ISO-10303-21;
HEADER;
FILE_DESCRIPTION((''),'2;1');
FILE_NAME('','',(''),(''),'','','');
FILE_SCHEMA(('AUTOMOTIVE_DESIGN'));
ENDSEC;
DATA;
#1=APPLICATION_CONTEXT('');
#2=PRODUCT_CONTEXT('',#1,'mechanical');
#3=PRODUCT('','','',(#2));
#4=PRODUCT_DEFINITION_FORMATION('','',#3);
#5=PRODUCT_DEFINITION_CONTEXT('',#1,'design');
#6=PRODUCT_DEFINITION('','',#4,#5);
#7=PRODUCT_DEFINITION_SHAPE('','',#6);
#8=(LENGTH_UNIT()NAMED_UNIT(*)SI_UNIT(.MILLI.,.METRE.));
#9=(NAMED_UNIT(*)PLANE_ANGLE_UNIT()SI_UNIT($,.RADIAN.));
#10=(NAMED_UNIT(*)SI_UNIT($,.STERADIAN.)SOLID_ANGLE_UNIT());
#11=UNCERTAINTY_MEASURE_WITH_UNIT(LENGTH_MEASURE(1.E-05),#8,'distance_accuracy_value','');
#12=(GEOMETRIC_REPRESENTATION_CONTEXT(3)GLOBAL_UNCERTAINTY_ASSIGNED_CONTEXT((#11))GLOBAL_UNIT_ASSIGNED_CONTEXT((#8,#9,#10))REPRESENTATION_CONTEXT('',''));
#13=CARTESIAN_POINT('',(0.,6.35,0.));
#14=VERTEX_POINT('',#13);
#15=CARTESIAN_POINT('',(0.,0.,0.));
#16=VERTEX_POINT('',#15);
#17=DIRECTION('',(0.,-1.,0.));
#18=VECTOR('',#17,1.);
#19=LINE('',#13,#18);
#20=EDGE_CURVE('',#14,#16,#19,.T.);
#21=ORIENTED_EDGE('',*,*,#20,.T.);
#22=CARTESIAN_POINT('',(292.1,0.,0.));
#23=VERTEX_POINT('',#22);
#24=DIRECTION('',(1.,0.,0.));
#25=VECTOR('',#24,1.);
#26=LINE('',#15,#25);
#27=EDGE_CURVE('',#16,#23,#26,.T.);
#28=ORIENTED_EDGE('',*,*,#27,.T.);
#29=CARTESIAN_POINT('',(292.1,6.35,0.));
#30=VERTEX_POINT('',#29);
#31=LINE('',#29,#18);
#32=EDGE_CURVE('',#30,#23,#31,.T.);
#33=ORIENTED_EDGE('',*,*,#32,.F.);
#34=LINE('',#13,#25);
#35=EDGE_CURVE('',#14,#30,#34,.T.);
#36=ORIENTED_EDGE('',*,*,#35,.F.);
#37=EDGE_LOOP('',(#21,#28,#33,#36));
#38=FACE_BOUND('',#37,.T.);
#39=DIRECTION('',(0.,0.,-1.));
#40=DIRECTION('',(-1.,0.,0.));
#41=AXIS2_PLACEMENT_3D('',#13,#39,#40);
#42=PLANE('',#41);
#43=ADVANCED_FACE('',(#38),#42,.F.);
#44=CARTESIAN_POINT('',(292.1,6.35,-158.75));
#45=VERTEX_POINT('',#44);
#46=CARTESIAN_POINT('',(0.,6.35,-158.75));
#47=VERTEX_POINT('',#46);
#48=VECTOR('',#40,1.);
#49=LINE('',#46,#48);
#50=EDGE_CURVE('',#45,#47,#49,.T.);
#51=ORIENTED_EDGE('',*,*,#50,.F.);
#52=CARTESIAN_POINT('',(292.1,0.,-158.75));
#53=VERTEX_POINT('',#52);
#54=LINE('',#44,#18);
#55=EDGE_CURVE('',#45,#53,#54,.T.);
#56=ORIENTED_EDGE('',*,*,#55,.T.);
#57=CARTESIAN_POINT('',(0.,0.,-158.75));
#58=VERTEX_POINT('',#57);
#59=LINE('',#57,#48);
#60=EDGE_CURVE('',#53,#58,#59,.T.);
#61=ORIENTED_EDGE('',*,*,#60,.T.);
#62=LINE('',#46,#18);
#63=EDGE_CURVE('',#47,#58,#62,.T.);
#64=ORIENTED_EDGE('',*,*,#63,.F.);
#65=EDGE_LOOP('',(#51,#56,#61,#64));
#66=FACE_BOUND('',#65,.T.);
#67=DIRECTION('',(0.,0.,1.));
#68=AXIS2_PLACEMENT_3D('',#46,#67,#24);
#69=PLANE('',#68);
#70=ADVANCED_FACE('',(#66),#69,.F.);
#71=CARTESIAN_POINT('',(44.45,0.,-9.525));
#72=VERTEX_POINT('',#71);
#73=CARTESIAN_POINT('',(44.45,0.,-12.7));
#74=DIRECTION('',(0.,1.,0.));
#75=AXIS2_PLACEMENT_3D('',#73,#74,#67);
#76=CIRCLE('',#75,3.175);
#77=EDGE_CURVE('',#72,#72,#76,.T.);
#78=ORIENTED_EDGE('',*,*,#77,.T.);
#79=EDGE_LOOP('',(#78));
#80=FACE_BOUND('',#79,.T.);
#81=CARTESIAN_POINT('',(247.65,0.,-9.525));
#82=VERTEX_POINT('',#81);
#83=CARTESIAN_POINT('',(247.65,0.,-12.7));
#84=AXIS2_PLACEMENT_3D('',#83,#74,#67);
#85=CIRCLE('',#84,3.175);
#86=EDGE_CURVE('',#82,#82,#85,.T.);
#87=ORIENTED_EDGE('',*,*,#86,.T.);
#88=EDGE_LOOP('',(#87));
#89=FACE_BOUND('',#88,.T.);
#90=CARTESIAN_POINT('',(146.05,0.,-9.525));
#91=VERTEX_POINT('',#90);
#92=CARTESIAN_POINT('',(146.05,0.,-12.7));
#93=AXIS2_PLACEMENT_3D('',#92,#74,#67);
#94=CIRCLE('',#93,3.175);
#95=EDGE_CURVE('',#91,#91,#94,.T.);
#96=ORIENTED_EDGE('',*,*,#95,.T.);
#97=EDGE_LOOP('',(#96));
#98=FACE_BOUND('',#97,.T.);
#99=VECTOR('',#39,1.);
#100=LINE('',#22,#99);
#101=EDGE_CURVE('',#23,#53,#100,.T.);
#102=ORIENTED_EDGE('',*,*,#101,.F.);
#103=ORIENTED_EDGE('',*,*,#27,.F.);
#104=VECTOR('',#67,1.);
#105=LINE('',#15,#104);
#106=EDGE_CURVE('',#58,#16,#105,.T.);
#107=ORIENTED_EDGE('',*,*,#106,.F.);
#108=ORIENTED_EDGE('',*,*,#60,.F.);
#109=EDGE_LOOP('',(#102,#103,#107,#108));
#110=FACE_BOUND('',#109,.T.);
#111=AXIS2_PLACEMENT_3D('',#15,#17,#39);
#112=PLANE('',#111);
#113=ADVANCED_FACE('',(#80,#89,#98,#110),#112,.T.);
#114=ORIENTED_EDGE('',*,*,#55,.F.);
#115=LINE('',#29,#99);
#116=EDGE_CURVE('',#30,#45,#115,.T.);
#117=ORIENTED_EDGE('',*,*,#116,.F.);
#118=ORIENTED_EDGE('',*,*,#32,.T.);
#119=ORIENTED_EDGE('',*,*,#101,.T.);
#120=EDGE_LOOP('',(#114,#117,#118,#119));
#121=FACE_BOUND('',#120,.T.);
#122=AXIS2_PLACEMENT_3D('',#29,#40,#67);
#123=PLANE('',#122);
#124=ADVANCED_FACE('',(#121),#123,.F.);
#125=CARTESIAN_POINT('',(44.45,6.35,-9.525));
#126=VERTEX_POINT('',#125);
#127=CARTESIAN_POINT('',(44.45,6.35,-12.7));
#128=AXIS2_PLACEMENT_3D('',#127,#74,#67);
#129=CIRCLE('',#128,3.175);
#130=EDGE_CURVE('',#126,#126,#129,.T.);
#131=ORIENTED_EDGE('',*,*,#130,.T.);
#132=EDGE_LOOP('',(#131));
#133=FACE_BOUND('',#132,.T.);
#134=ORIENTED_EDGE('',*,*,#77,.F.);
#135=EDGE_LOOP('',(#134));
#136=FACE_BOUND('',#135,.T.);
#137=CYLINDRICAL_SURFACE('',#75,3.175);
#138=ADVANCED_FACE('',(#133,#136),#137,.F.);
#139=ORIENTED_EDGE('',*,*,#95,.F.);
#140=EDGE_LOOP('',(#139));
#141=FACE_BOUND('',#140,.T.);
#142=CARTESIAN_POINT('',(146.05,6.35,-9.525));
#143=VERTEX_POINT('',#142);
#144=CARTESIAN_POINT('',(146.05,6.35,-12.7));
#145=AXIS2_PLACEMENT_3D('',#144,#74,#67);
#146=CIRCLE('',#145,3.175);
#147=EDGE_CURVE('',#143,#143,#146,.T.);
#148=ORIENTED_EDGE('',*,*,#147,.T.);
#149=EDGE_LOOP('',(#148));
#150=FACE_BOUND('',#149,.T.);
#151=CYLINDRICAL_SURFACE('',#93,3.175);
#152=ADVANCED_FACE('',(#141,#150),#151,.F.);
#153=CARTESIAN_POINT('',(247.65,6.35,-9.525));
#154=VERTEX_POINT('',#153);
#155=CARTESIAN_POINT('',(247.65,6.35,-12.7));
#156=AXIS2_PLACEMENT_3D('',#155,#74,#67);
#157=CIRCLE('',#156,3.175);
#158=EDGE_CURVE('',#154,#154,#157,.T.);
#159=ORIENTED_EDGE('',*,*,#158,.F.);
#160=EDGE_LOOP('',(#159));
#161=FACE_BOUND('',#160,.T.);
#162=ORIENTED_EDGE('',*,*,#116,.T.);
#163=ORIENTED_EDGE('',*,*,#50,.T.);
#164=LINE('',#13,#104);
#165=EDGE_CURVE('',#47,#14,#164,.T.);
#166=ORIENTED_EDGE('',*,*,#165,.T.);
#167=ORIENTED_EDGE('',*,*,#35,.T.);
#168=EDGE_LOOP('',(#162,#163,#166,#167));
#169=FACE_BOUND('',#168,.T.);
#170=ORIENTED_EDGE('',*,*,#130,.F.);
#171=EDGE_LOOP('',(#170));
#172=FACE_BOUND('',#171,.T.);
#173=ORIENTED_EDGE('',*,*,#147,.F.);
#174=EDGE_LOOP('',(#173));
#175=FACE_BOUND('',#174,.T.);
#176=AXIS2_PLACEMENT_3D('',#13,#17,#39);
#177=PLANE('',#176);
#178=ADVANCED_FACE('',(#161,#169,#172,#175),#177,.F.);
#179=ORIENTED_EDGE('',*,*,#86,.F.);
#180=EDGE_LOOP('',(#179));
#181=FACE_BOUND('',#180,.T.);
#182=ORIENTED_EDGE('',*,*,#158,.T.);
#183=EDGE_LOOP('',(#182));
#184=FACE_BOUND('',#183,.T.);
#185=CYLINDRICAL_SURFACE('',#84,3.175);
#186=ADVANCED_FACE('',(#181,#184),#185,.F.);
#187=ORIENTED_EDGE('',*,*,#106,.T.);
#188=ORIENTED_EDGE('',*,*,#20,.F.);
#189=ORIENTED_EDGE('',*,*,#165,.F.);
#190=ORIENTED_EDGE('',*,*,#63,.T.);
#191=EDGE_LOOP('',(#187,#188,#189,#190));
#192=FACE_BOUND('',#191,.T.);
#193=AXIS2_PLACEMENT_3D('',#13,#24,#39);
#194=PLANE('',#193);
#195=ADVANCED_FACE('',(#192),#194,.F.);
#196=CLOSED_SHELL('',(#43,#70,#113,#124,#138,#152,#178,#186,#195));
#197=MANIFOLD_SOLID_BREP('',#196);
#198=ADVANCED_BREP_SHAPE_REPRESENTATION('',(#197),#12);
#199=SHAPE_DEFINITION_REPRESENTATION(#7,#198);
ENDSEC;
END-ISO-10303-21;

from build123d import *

# Parameters (mm, degrees)
SKETCH1_W           = 292.1
SKETCH1_H           = 158.75
BOSS_EXTRUDE1_DEPTH = 6.35
SKETCH2_R           = 3.175
CUT_EXTRUDE2_DEPTH  = 6.35


with BuildPart() as part:
    # Sketch1 → Boss-Extrude1 (new body)
    with BuildSketch(Plane(origin=(0, 0, 0), x_dir=(1, 0, 0), z_dir=(0, 1, 0))):
        with Locations((146.05, 79.375)):
            Rectangle(SKETCH1_W, SKETCH1_H)
    extrude(amount=BOSS_EXTRUDE1_DEPTH)

    # Sketch2 → Cut-Extrude2 (cut)
    with BuildSketch(Plane(origin=(0, 6.35, 0), x_dir=(1, 0, 0), z_dir=(0, 1, 0))):
        with Locations(Location((146.05, 12.7, 0), (0, 0, 270))):
            Circle(SKETCH2_R)
        with Locations(Location((247.65, 12.7, 0), (0, 0, 270))):
            Circle(SKETCH2_R)
        with Locations(Location((44.45, 12.7, 0), (0, 0, 270))):
            Circle(SKETCH2_R)
    extrude(amount=-CUT_EXTRUDE2_DEPTH, mode=Mode.SUBTRACT)


solid = part.part
